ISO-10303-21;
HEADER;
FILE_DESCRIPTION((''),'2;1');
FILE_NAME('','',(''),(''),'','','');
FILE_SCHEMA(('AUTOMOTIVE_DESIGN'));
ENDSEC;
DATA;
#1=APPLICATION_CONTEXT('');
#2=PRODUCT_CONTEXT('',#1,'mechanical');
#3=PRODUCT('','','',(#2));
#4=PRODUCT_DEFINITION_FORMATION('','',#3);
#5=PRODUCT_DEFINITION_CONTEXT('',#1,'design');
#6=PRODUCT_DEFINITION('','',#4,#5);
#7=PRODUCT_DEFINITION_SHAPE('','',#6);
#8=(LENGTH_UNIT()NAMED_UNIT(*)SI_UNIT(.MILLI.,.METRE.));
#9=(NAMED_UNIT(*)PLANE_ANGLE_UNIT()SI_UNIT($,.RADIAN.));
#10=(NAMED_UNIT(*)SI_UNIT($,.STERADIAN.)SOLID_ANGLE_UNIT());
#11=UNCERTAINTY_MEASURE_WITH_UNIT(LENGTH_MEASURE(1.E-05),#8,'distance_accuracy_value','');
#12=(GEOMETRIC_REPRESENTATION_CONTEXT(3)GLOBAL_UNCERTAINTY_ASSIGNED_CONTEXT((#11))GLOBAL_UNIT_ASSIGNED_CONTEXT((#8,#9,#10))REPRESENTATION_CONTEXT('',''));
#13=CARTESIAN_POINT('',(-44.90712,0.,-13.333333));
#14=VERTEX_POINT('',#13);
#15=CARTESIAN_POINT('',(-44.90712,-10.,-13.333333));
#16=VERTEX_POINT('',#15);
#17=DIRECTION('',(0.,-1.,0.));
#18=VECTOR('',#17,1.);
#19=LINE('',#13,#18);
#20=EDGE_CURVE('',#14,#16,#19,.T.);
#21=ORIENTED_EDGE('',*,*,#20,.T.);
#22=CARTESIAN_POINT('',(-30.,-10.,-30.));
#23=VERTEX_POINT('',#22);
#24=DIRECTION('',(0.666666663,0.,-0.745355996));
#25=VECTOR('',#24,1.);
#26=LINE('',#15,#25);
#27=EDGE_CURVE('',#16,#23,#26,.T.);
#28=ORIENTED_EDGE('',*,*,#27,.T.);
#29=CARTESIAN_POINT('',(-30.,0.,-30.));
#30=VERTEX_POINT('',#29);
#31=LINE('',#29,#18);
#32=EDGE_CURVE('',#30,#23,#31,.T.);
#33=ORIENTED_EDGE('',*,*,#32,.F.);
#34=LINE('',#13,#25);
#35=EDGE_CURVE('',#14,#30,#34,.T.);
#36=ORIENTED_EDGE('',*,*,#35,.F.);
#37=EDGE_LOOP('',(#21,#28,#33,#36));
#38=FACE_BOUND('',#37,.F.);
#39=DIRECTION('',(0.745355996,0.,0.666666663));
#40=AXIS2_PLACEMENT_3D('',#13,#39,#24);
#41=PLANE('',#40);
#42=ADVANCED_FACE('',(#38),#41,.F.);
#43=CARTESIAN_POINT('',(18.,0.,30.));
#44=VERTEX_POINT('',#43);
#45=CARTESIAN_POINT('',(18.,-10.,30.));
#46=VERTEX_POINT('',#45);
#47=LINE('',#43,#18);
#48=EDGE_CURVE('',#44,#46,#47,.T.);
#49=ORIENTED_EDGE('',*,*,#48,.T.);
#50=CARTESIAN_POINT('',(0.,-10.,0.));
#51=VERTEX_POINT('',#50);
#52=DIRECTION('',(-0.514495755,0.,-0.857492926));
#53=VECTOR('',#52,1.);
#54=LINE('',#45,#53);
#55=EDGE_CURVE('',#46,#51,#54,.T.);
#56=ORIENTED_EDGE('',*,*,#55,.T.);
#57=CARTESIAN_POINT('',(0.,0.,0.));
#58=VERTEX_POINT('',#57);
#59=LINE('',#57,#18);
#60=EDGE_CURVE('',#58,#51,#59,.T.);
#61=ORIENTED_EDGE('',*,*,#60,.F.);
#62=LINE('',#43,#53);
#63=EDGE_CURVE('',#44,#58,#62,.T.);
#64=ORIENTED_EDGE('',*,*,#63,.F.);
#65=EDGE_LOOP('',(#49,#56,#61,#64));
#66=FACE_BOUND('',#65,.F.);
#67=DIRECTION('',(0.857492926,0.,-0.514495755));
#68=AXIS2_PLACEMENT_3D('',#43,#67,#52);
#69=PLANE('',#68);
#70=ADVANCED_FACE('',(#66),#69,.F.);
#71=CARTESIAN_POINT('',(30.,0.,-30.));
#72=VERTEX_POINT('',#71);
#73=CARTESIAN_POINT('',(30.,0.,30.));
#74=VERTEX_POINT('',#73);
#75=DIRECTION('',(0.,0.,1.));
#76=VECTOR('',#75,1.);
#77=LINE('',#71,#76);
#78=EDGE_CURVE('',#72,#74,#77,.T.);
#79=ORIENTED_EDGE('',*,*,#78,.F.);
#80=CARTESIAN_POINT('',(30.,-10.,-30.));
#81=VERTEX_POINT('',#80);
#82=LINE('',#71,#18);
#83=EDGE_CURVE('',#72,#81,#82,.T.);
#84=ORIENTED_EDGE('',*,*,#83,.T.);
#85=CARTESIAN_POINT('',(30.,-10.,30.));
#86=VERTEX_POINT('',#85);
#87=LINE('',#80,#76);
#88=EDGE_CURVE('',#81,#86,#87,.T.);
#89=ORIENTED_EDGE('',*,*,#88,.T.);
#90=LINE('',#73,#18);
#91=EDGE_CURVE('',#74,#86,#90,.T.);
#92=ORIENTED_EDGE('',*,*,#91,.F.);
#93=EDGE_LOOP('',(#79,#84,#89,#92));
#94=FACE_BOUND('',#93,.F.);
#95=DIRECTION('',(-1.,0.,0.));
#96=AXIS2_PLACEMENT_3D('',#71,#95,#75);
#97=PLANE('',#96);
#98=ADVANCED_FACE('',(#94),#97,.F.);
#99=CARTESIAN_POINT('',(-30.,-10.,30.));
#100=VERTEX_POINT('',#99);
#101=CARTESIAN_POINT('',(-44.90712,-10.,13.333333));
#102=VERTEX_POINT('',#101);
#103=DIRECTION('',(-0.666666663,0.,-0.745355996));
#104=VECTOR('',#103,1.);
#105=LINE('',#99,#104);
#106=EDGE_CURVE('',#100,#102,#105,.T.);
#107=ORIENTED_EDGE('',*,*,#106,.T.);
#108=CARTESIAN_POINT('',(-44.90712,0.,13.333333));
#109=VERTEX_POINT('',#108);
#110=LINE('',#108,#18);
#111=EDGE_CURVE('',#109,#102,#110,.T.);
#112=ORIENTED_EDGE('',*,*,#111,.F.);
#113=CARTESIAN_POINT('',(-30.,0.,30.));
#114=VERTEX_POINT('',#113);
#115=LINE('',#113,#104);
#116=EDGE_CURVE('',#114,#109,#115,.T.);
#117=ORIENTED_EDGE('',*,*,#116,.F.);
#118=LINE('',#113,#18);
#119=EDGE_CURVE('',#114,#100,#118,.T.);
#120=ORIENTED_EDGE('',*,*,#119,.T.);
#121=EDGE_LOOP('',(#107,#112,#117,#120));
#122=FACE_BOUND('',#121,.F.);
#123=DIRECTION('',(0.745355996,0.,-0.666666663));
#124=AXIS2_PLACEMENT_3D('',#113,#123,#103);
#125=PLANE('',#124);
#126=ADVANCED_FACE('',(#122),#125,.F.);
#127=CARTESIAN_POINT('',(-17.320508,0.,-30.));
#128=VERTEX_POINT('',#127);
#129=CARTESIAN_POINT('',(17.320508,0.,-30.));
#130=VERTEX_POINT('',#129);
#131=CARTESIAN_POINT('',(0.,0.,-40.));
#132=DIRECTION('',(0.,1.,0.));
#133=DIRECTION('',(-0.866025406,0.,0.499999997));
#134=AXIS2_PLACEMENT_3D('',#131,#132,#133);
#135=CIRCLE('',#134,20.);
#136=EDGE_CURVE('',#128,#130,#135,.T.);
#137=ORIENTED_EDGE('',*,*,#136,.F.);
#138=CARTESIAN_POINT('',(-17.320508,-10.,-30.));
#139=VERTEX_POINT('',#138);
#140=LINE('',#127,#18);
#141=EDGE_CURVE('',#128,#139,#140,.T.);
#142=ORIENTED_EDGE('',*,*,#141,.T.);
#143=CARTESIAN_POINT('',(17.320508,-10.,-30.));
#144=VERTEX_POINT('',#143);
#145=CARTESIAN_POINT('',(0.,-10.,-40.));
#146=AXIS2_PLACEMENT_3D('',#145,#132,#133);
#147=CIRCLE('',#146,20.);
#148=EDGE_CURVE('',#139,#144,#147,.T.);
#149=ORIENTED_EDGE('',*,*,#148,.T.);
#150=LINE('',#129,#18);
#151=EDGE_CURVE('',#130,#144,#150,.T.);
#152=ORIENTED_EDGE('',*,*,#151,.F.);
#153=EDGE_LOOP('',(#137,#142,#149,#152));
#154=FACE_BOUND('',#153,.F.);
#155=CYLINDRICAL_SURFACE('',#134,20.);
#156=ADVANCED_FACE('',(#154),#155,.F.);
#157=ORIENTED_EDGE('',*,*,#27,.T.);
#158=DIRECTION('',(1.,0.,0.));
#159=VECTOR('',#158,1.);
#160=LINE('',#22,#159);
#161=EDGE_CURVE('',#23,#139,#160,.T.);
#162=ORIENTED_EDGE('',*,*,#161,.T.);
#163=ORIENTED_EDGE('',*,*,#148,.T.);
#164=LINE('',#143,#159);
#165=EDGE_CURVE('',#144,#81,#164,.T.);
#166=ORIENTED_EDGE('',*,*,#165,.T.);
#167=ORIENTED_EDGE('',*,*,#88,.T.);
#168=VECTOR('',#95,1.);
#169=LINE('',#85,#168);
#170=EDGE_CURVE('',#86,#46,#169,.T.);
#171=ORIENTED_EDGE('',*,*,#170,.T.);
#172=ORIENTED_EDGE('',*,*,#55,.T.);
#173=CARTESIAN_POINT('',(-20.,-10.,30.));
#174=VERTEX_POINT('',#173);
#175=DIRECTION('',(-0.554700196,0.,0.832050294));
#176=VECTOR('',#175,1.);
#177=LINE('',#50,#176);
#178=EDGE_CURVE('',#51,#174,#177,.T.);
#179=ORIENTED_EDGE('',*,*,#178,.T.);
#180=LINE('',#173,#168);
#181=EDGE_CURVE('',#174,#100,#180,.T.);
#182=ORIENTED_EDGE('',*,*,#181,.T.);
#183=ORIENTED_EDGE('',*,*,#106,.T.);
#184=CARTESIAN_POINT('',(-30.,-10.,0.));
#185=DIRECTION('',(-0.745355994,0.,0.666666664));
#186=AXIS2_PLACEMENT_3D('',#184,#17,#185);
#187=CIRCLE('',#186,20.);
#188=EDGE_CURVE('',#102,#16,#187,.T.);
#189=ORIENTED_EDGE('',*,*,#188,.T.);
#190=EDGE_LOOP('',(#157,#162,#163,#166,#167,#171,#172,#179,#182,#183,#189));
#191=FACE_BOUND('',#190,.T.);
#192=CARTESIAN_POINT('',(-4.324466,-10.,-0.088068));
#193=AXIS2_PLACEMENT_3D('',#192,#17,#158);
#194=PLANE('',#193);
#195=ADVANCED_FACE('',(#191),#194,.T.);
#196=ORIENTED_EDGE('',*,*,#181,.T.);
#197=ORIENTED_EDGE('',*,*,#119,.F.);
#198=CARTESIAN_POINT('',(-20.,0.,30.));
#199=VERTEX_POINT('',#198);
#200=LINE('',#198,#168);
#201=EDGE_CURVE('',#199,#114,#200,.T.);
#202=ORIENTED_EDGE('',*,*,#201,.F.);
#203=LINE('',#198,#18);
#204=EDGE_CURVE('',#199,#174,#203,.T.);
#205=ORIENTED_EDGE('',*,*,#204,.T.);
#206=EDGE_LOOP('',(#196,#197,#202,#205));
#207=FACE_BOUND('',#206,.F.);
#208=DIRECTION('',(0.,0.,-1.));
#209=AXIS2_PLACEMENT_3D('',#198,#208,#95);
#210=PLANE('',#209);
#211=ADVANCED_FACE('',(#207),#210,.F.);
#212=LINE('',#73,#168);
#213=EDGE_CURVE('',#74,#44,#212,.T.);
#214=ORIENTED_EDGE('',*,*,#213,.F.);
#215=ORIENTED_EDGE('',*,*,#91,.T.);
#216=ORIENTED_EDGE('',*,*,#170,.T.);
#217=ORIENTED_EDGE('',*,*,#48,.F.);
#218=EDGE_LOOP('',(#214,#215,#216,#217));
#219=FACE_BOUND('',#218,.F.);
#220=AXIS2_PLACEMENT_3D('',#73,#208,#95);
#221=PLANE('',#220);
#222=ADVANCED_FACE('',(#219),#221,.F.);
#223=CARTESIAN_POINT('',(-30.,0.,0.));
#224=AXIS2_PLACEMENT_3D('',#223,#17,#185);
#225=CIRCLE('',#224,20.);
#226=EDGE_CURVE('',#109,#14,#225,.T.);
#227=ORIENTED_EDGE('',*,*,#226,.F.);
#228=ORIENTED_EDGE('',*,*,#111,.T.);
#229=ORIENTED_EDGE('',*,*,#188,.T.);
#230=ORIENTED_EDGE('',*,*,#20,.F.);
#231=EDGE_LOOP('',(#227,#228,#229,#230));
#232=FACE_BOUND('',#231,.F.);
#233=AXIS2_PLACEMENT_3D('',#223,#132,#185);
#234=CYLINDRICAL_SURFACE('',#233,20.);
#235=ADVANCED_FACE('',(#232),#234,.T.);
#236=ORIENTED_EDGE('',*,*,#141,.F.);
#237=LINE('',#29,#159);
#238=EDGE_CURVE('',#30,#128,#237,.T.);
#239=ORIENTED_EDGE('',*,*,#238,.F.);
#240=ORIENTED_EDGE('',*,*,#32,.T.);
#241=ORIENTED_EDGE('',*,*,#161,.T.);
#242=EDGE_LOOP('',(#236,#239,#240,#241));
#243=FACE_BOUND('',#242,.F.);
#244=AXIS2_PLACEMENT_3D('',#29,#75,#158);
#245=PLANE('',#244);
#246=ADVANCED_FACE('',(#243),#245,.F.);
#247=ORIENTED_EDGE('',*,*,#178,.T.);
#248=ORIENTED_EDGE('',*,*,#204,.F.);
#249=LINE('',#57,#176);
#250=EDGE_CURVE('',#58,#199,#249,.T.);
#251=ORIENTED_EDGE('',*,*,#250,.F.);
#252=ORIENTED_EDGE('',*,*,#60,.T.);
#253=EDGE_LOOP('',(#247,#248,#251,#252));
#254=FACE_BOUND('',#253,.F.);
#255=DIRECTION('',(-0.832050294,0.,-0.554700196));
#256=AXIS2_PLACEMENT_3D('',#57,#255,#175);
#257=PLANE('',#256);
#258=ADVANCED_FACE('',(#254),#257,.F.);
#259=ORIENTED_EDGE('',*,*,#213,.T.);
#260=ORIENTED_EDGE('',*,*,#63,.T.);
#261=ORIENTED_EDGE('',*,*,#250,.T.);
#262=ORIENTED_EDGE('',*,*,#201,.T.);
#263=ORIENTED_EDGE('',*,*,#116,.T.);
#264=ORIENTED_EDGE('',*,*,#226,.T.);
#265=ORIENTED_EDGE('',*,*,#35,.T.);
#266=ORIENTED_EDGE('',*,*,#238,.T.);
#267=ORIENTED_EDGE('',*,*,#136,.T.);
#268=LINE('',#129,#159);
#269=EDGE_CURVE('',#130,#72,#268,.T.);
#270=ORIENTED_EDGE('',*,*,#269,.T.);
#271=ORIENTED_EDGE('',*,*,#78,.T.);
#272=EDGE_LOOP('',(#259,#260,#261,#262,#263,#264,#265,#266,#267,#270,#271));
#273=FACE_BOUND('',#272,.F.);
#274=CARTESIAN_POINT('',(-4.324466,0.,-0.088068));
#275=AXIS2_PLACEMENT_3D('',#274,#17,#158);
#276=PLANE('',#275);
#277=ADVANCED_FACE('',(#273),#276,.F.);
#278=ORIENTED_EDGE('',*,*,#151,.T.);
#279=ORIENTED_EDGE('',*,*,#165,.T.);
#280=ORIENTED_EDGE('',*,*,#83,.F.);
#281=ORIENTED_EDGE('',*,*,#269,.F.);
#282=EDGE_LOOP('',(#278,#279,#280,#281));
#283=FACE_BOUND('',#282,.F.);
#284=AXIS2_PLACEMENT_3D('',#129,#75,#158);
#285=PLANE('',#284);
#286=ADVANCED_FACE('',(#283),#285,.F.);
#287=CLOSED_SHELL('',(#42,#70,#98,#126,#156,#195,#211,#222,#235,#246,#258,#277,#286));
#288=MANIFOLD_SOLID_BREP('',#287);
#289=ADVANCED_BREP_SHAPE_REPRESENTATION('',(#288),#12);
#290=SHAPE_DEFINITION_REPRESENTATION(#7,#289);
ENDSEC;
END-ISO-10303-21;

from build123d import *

# Parameters (mm, degrees)
F1_DEPTH = 10


with BuildPart() as f1:
    # F0 (on Front) → F1 (new body)
    with BuildSketch(Plane.XZ):
        with BuildLine():
            Line((30, 30), (18, 30))
            Line((18, 30), (0, 0))
            Line((0, 0), (-20, 30))
            Line((-20, 30), (-30, 30))
            Line((-30, 30), (-44.90712, 13.333333))
            ThreePointArc((-44.90712, 13.333333), (-50, 0), (-44.90712, -13.333333))
            Line((-44.90712, -13.333333), (-30, -30))
            Line((-30, -30), (-17.320508, -30))
            ThreePointArc((-17.320508, -30), (0, -20), (17.320508, -30))
            Line((17.320508, -30), (30, -30))
            Line((30, -30), (30, 30))
        make_face()
    extrude(amount=F1_DEPTH)


solid = f1.part
